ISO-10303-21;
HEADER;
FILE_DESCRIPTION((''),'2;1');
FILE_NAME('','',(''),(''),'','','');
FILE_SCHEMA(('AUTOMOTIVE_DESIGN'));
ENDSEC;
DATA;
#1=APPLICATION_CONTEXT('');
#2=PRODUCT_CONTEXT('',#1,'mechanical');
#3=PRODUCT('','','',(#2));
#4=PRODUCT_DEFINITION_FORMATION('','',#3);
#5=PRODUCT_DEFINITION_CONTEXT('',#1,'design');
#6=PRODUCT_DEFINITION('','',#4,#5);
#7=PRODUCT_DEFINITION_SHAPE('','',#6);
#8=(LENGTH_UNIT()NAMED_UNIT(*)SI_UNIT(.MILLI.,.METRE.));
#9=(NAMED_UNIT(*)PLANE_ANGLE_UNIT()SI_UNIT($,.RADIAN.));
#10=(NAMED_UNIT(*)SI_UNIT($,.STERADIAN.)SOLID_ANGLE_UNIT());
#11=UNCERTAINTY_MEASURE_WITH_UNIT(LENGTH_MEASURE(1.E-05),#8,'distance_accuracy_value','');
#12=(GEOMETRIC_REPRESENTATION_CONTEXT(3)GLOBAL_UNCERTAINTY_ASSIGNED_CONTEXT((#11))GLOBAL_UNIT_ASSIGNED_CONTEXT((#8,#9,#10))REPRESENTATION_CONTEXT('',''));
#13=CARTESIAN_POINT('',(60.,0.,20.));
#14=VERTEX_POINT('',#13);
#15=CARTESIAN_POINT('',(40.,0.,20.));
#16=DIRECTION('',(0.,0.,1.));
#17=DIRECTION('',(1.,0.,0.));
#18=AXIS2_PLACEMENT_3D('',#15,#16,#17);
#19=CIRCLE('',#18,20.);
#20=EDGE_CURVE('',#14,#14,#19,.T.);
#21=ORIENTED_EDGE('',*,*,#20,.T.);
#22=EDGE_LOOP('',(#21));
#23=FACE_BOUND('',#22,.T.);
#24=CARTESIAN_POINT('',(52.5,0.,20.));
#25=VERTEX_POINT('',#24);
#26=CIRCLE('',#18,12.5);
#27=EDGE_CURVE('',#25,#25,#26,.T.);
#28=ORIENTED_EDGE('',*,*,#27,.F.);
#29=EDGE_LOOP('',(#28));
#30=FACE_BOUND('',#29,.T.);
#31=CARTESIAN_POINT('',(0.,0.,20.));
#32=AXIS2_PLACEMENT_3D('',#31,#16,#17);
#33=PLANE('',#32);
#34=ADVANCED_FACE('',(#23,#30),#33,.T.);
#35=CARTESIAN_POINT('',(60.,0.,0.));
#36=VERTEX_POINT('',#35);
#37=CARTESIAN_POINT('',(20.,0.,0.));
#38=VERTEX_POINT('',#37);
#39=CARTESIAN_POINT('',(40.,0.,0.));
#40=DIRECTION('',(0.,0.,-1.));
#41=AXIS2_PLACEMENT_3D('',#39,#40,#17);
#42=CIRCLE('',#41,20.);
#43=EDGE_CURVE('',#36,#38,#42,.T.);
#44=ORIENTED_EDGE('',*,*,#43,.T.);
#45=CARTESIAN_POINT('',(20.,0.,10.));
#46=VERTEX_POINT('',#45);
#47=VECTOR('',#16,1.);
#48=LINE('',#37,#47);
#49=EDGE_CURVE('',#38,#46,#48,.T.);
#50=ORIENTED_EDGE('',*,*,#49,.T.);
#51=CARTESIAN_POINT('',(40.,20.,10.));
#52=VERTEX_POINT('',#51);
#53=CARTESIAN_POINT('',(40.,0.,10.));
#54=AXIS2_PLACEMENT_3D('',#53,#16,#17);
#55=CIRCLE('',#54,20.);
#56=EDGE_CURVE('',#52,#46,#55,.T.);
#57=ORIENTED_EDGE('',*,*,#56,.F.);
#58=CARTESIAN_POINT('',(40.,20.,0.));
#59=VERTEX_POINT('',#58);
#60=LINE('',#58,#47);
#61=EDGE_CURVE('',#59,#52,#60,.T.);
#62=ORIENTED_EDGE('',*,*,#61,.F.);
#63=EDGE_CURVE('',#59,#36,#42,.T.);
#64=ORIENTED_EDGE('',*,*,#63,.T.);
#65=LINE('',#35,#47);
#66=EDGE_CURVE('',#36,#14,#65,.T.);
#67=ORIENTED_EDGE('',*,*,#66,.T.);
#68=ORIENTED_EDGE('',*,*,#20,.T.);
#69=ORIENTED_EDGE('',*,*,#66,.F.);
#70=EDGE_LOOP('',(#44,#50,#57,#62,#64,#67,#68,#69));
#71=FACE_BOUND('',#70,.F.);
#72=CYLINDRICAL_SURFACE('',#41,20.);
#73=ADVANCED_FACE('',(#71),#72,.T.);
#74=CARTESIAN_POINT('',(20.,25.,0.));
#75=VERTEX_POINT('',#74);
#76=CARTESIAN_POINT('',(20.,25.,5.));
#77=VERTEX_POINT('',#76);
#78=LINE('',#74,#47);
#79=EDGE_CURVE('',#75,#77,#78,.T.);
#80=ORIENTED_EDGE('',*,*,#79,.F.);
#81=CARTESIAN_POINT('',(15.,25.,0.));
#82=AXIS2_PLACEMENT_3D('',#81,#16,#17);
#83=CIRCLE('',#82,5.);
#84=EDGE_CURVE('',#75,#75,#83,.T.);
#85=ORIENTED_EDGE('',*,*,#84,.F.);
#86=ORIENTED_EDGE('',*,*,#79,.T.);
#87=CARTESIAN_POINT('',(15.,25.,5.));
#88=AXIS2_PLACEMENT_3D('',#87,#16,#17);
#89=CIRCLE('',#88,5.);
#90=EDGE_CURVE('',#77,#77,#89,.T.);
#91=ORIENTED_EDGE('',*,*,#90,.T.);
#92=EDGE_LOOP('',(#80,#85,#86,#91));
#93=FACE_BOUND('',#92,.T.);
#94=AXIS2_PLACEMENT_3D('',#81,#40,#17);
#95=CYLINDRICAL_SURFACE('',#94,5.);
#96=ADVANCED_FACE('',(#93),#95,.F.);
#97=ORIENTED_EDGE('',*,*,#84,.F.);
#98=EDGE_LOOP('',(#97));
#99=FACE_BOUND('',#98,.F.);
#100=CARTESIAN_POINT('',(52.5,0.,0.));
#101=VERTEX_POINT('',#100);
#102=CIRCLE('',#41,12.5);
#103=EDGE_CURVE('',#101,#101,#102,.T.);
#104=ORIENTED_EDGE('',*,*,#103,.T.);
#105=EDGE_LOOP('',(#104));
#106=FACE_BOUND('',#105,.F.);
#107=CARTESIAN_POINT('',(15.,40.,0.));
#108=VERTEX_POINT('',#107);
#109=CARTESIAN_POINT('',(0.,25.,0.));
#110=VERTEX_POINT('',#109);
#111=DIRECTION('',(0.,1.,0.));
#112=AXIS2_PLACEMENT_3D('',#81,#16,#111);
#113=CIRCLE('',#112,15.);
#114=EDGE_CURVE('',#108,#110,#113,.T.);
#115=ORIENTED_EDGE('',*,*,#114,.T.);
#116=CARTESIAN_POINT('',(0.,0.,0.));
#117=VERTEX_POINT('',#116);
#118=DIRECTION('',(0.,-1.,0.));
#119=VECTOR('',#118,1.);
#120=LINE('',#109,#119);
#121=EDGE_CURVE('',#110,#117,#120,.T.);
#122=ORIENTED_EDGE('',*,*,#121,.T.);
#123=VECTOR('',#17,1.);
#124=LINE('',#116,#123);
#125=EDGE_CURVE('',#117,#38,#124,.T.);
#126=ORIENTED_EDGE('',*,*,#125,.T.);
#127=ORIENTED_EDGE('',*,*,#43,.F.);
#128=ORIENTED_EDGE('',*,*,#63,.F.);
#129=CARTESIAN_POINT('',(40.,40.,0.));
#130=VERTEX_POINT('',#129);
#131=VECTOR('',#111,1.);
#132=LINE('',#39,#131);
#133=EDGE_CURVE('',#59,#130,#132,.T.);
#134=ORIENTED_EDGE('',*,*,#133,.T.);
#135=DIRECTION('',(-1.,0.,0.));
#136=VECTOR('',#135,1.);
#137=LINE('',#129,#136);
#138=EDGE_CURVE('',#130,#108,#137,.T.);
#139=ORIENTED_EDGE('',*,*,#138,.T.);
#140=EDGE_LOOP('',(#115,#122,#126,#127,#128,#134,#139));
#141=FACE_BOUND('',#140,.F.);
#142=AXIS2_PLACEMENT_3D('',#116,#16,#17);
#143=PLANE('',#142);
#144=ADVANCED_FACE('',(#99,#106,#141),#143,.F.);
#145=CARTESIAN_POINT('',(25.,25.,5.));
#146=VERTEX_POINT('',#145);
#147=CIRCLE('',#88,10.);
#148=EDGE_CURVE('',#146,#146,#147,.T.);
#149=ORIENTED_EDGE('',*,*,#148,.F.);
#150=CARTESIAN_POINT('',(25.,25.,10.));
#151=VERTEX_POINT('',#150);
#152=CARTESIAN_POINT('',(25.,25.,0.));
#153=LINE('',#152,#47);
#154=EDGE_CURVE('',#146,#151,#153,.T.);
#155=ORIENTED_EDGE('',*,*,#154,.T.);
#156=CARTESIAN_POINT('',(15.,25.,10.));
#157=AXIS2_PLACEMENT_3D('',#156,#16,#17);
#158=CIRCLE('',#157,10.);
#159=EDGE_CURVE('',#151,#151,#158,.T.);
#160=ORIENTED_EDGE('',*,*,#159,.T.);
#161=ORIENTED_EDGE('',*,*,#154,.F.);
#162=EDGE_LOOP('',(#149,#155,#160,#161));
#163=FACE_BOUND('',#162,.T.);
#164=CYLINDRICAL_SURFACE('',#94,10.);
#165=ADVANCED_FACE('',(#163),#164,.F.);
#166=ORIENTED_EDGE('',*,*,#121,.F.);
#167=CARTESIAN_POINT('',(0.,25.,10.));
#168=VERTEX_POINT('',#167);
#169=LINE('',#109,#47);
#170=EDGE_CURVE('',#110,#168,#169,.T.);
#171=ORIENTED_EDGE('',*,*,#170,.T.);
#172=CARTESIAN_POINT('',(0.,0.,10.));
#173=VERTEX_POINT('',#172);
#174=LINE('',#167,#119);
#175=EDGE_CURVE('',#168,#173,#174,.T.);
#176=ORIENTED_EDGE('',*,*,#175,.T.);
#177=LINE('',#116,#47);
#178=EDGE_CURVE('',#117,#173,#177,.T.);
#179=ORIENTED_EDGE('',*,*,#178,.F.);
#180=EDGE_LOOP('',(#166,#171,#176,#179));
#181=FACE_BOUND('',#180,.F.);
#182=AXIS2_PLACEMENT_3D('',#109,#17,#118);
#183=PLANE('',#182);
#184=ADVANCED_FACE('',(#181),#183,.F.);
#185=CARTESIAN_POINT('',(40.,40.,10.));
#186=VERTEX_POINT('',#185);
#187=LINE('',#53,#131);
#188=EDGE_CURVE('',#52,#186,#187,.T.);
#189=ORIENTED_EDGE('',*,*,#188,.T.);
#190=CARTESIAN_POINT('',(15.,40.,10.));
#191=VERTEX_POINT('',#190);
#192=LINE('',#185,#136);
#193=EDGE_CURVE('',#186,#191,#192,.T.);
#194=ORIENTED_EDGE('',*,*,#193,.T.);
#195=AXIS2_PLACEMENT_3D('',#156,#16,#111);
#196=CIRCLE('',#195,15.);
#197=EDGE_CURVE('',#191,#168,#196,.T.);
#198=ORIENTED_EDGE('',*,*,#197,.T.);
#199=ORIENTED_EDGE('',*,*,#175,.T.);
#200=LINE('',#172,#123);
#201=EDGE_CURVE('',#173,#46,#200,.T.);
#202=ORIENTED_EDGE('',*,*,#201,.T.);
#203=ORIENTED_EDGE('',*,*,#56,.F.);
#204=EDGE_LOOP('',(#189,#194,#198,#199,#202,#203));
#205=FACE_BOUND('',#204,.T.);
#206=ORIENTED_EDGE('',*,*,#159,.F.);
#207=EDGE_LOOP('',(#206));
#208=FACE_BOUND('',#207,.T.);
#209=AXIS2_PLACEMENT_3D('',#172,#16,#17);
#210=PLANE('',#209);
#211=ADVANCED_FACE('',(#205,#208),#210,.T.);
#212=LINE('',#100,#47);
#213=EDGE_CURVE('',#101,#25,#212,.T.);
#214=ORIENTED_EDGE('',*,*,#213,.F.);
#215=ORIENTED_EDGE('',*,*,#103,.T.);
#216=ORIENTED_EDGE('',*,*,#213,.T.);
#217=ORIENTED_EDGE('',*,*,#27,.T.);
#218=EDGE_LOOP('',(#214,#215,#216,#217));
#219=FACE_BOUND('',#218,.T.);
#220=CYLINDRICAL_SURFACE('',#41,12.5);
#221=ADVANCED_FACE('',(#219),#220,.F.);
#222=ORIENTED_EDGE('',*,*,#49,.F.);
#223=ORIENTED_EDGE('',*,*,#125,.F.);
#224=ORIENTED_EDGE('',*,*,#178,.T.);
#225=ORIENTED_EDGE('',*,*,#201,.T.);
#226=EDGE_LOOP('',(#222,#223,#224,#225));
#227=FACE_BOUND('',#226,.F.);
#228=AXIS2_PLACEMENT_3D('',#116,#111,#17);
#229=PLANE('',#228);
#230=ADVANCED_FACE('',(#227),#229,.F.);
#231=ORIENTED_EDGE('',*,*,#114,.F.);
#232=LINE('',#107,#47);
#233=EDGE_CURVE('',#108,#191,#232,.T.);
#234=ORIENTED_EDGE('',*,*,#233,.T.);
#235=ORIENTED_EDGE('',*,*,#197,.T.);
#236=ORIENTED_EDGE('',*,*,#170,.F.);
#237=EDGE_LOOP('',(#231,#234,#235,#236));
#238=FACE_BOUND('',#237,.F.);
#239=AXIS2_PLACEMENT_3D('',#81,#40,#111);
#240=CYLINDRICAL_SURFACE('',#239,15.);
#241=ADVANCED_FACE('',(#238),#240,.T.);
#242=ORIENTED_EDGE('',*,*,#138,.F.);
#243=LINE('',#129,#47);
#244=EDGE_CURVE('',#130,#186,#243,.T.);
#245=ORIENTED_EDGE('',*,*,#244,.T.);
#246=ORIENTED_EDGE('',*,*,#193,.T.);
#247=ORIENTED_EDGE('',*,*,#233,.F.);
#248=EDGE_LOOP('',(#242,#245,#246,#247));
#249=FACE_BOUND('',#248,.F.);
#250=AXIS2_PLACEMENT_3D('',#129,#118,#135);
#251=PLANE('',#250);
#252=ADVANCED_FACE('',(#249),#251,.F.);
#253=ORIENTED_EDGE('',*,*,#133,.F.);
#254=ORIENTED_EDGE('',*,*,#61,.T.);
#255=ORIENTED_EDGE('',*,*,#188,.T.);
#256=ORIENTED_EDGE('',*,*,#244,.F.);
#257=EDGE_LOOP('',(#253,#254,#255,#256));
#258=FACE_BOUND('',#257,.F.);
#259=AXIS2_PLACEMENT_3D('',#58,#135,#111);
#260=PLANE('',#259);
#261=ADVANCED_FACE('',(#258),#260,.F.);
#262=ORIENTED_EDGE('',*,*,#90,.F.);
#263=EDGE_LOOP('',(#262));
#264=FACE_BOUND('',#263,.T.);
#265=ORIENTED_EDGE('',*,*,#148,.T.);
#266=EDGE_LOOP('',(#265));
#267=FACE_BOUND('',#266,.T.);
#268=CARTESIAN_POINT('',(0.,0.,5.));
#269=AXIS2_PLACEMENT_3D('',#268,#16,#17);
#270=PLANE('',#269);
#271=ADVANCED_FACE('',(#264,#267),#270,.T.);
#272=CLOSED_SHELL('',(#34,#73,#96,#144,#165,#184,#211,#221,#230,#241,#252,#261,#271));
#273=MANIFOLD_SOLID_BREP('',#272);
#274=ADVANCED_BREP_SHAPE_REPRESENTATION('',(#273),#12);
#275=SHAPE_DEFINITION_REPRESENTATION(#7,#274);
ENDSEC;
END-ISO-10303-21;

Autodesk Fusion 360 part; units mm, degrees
sketch "스케치1" plane through (0, 0, 0) normal (0, 0, 1) x (1, 0, 0)
  line L0 (0, 0) -> (40, 0)
  line L1 (40, 0) -> (40, 40)
  line L2 (40, 40) -> (15, 40)
  line L3 (0, 25) -> (0, 0)
  circle A0 centre (40, 0) radius 20
  circle A1 centre (40, 0) radius 12.5
  arc A2 (15, 40) -> (0, 25) centre (15, 25) ccw
  circle A3 centre (15, 25) radius 10
  circle A4 centre (15, 25) radius 5
  point P0 (0, 40)
  dimension "d1" = 40
  dimension "d2" = 40
  dimension "d3" = 40
  dimension "d4" = 25
  dimension "d5" = 15
  dimension "d6" = 20
  dimension "d7" = 10
extrude "돌출4" add sketch "스케치1" along normal blind 20 contours L0 L1 A0 A1 picked at (22.5745, -0.9936)
extrude "돌출5" add sketch "스케치1" along normal blind 20 contours L0 L1 A0 A1 picked at (27.447, 12.1327)
extrude "돌출6" add sketch "스케치1" along normal blind 10 contours L0 L1 L2 L3 A0 A2
extrude "돌출7" add sketch "스케치1" along normal blind 5 contours A3
